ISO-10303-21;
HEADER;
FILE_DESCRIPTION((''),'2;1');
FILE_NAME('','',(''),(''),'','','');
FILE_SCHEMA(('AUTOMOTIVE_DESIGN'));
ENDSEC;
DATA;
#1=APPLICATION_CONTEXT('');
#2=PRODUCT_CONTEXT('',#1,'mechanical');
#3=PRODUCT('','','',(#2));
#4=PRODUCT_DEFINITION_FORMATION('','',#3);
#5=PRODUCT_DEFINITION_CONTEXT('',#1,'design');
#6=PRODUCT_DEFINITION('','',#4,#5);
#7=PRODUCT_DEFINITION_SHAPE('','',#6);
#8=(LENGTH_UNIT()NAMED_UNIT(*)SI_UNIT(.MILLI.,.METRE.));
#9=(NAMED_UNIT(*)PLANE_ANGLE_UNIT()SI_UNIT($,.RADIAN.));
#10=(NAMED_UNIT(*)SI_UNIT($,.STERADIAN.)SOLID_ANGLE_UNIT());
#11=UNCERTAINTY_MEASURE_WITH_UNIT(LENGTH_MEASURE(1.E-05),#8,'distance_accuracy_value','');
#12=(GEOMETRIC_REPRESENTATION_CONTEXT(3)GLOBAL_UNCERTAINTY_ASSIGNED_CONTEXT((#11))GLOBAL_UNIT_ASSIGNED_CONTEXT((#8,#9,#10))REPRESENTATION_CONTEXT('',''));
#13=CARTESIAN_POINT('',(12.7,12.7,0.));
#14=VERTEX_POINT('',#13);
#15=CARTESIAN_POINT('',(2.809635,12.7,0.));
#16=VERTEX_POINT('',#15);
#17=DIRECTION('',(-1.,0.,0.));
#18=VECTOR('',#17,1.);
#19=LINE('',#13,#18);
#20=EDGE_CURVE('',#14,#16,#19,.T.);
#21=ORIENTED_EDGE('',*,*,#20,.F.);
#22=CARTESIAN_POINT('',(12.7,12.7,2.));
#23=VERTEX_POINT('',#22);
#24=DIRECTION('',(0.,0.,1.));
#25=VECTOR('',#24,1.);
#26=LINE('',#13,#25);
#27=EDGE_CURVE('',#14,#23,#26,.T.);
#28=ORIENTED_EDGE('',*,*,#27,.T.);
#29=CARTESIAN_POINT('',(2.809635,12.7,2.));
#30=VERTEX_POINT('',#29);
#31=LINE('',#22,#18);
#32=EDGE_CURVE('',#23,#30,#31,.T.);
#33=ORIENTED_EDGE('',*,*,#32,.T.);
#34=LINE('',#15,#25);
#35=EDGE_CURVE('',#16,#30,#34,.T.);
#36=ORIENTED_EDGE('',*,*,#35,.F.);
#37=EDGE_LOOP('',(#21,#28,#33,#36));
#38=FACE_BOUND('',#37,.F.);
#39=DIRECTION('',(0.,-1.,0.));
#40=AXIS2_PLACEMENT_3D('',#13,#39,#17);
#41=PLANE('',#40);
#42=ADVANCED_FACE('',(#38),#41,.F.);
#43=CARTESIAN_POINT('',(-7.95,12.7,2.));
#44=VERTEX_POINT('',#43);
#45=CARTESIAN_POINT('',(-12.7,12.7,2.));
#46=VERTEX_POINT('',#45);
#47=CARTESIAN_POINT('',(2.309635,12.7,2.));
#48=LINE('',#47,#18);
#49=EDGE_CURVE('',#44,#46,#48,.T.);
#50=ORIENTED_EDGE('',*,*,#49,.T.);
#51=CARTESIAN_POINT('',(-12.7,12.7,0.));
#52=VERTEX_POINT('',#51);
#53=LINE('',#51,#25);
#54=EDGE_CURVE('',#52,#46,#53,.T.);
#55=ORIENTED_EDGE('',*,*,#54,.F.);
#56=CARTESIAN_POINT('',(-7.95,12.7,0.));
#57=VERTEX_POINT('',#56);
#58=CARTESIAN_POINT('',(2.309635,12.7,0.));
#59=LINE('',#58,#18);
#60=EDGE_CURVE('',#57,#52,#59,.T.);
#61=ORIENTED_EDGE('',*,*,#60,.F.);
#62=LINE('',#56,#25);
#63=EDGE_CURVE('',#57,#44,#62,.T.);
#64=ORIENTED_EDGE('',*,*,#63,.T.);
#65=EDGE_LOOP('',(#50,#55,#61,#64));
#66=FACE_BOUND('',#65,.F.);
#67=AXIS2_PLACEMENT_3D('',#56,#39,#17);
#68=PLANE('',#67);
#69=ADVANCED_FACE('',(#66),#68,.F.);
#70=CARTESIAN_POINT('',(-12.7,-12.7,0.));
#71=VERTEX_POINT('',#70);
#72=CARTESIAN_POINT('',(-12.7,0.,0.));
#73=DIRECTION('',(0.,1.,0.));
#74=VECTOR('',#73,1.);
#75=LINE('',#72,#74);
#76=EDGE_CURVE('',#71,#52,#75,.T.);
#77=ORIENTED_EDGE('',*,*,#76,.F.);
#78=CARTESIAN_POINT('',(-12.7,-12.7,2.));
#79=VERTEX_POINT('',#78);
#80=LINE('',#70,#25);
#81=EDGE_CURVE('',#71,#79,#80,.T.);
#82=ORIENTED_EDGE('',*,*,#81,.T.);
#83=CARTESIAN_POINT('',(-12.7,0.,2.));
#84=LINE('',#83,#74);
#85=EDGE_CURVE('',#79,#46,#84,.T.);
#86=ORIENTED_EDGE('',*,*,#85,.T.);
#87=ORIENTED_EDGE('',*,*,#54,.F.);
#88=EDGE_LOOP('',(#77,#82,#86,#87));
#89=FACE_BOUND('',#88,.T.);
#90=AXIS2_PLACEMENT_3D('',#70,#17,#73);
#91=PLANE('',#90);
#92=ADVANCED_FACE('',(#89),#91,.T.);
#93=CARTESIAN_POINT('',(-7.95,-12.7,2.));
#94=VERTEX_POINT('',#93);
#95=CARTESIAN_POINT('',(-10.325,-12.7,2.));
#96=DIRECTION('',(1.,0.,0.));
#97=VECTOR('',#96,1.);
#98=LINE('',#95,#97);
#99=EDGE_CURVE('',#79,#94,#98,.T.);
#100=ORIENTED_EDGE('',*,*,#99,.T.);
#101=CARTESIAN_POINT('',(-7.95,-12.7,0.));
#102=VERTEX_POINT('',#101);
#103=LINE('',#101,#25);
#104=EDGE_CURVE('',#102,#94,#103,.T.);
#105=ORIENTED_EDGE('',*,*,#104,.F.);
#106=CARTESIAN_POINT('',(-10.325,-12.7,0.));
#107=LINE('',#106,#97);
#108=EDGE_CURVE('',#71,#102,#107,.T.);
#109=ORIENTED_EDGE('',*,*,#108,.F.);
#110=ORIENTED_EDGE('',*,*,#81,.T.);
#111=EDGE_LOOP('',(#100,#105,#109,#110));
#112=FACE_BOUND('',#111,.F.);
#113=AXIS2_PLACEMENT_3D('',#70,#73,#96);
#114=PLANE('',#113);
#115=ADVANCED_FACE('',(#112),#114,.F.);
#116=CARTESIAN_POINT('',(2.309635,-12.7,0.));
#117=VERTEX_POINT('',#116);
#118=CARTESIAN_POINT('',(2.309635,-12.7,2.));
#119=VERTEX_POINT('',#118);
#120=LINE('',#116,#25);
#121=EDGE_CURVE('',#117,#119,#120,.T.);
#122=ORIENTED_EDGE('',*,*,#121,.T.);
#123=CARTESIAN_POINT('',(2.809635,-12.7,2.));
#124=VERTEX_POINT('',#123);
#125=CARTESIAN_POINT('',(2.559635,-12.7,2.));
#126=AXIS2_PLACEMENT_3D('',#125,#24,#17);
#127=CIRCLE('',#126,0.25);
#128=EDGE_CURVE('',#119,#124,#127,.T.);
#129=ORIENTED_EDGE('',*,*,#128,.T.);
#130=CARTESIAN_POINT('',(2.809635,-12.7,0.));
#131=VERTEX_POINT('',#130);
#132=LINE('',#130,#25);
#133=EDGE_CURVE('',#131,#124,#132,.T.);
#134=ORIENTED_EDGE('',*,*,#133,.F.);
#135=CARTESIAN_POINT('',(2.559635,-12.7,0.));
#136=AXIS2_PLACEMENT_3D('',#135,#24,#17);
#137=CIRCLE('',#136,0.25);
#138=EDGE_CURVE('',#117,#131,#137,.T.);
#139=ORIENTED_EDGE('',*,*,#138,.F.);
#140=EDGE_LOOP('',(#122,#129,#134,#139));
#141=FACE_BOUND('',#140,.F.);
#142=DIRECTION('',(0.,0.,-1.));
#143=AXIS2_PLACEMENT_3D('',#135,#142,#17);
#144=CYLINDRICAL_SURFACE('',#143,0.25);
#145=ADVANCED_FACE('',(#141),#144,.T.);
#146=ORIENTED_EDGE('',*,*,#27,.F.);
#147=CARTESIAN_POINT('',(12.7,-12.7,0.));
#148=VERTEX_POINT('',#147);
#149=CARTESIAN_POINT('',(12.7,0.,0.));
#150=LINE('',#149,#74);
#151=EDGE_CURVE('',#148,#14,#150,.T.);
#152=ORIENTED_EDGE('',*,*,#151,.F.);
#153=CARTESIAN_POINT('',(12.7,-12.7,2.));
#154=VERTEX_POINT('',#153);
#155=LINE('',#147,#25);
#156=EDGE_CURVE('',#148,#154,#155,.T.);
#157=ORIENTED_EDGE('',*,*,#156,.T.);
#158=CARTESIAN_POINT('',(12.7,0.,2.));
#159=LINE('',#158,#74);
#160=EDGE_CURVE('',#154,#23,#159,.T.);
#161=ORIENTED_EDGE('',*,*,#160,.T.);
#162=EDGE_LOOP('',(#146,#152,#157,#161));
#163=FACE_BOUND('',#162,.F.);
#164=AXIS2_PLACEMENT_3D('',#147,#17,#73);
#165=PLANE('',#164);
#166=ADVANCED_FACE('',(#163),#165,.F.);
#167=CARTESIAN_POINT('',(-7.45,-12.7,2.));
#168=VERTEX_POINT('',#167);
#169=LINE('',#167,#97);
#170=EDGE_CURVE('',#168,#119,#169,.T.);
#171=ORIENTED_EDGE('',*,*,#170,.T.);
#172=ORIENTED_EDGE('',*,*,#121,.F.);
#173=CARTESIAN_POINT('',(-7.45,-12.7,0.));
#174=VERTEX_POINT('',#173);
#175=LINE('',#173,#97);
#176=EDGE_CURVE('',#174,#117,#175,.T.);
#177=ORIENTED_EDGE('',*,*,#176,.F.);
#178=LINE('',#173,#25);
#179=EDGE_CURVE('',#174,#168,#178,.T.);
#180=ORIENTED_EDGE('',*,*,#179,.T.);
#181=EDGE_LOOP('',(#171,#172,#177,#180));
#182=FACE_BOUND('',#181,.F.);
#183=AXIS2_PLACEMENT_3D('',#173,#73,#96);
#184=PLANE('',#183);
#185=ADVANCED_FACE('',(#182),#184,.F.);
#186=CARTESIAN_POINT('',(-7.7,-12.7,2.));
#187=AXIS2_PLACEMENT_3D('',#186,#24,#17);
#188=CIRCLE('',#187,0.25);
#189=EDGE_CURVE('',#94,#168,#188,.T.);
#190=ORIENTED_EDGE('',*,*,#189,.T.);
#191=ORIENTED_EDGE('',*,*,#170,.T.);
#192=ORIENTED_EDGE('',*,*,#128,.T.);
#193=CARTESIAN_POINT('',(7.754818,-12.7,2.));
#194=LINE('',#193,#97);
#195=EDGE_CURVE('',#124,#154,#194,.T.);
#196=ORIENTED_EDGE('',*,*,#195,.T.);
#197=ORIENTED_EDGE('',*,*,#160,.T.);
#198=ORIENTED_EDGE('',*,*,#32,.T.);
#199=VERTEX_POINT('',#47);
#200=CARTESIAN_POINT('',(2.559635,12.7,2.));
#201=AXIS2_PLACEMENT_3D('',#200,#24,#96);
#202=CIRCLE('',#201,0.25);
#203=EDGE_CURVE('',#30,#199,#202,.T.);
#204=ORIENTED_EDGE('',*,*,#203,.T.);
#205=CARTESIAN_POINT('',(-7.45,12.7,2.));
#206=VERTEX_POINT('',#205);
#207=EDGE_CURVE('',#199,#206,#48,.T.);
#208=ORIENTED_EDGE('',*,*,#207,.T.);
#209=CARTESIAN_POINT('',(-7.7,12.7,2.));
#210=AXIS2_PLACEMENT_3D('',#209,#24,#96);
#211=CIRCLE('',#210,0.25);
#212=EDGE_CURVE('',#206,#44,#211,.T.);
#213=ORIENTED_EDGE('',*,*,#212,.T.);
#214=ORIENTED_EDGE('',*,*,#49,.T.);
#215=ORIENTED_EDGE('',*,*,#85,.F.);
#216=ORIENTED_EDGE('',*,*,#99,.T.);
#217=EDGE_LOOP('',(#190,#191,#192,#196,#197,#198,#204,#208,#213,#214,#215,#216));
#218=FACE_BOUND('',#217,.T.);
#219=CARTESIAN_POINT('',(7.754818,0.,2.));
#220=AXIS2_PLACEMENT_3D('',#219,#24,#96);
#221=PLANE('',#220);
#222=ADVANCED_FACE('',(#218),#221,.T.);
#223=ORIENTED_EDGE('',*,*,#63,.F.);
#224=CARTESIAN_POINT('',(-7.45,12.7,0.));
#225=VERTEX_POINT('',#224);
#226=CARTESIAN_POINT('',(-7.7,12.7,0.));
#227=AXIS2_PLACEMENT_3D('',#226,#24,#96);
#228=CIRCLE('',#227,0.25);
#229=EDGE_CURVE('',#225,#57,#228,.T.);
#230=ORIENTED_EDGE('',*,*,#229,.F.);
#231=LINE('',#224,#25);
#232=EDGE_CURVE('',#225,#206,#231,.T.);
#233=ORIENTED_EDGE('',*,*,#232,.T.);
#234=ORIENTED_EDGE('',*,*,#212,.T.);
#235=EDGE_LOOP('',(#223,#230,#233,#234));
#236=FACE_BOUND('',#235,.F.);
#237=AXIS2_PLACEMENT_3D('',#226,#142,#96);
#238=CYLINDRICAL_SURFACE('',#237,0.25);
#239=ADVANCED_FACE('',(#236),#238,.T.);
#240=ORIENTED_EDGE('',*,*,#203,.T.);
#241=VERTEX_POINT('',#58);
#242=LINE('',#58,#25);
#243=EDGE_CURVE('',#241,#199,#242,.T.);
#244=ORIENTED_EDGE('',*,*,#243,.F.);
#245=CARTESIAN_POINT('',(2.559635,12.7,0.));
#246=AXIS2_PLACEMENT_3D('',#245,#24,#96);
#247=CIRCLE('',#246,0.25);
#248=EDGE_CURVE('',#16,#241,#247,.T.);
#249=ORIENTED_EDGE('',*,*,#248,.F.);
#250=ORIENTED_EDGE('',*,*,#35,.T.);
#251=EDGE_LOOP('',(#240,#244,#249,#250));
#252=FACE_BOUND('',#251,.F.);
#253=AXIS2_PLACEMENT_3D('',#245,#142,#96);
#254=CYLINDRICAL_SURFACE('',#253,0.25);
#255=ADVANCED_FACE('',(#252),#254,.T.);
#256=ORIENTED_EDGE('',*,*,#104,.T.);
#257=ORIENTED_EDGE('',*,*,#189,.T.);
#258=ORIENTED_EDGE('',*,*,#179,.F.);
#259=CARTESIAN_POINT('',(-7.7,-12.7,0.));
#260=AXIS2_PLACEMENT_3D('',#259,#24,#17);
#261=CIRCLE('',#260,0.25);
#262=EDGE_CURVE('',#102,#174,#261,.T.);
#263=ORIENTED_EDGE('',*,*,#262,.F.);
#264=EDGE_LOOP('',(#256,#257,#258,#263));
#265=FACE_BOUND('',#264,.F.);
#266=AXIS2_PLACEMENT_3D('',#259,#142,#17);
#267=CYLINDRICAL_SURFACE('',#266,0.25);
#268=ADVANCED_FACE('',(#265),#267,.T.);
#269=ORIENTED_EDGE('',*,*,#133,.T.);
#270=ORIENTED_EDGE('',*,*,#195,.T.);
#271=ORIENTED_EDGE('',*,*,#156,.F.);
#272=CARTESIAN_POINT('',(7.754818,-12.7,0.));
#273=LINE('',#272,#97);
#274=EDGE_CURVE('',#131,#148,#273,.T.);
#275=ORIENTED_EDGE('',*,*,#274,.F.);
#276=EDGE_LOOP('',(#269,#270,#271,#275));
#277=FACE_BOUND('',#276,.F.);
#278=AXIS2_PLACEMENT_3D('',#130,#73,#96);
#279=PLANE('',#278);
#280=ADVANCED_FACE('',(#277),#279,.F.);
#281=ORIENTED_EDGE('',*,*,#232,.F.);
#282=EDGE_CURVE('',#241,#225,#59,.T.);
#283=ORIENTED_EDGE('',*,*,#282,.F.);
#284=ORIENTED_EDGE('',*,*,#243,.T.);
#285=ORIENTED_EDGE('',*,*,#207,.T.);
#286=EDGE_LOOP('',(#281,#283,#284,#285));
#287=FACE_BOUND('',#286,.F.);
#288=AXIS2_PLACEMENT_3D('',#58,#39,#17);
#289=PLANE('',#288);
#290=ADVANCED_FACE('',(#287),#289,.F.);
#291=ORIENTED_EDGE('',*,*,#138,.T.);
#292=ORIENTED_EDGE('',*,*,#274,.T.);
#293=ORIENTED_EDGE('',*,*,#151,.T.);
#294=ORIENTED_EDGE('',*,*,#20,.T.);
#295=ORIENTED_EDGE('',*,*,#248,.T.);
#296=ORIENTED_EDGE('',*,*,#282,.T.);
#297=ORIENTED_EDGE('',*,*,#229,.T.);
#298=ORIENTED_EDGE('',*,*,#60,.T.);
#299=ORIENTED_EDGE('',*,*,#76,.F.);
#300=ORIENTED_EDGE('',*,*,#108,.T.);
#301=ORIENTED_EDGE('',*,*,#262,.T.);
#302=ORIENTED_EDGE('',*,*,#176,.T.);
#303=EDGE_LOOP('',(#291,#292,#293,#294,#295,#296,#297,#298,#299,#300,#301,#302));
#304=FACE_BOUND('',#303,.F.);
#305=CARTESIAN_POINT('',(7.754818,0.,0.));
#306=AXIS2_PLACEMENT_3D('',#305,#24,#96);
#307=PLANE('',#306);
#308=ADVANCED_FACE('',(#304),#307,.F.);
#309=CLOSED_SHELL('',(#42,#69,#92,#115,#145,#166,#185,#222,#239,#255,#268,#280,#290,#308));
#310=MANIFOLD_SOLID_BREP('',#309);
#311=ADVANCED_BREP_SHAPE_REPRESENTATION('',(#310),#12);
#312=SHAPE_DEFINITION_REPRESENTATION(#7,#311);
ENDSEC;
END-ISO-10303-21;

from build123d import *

# Parameters (mm, degrees)
F0_W     = 9.8903646775
F0_H     = 25.4
F0_W_2   = 0.25
F0_W_3   = 4.5096353225
F0_W_4   = 0.5
F0_W_5   = 4.25
F0_W_6   = 4.75
F1_DEPTH = 2


with BuildPart() as f1:
    # F0 (on Top) → F1 (new body)
    with BuildSketch(Plane.XY):
        with Locations((7.7548176613, 0)):
            Rectangle(F0_W, F0_H)
        with BuildLine():
            ThreePointArc((2.3096353225, -12.7), (2.5596353225, -12.95), (2.8096353225, -12.7))
            Line((2.8096353225, -12.7), (2.5596353225, -12.7))
            Line((2.5596353225, -12.7), (2.3096353225, -12.7))
        make_face()
        with Locations((2.6846353225, 0)):
            Rectangle(F0_W_2, F0_H)
        with Locations((2.4346353225, 0)):
            Rectangle(F0_W_2, F0_H)
        with Locations((0.0548176613, 0)):
            Rectangle(F0_W_3, F0_H)
        with BuildLine():
            Line((2.5596353225, 12.7), (2.8096353225, 12.7))
            ThreePointArc((2.8096353225, 12.7), (2.5596353225, 12.95), (2.3096353225, 12.7))
            Line((2.3096353225, 12.7), (2.5596353225, 12.7))
        make_face()
        with Locations((-2.45, 0)):
            Rectangle(F0_W_4, F0_H)
        with Locations((-2.95, 0)):
            Rectangle(F0_W_4, F0_H)
        with Locations((-5.325, 0)):
            Rectangle(F0_W_5, F0_H)
        with BuildLine():
            ThreePointArc((-7.95, -12.7), (-7.7, -12.95), (-7.45, -12.7))
            Line((-7.45, -12.7), (-7.7, -12.7))
            Line((-7.7, -12.7), (-7.95, -12.7))
        make_face()
        with Locations((-7.575, 0)):
            Rectangle(F0_W_2, F0_H)
        with Locations((-7.825, 0)):
            Rectangle(F0_W_2, F0_H)
        with Locations((-10.325, 0)):
            Rectangle(F0_W_6, F0_H)
        with BuildLine():
            Line((-7.7, 12.7), (-7.45, 12.7))
            ThreePointArc((-7.45, 12.7), (-7.7, 12.95), (-7.95, 12.7))
            Line((-7.95, 12.7), (-7.7, 12.7))
        make_face()
    extrude(amount=F1_DEPTH)


solid = f1.part
